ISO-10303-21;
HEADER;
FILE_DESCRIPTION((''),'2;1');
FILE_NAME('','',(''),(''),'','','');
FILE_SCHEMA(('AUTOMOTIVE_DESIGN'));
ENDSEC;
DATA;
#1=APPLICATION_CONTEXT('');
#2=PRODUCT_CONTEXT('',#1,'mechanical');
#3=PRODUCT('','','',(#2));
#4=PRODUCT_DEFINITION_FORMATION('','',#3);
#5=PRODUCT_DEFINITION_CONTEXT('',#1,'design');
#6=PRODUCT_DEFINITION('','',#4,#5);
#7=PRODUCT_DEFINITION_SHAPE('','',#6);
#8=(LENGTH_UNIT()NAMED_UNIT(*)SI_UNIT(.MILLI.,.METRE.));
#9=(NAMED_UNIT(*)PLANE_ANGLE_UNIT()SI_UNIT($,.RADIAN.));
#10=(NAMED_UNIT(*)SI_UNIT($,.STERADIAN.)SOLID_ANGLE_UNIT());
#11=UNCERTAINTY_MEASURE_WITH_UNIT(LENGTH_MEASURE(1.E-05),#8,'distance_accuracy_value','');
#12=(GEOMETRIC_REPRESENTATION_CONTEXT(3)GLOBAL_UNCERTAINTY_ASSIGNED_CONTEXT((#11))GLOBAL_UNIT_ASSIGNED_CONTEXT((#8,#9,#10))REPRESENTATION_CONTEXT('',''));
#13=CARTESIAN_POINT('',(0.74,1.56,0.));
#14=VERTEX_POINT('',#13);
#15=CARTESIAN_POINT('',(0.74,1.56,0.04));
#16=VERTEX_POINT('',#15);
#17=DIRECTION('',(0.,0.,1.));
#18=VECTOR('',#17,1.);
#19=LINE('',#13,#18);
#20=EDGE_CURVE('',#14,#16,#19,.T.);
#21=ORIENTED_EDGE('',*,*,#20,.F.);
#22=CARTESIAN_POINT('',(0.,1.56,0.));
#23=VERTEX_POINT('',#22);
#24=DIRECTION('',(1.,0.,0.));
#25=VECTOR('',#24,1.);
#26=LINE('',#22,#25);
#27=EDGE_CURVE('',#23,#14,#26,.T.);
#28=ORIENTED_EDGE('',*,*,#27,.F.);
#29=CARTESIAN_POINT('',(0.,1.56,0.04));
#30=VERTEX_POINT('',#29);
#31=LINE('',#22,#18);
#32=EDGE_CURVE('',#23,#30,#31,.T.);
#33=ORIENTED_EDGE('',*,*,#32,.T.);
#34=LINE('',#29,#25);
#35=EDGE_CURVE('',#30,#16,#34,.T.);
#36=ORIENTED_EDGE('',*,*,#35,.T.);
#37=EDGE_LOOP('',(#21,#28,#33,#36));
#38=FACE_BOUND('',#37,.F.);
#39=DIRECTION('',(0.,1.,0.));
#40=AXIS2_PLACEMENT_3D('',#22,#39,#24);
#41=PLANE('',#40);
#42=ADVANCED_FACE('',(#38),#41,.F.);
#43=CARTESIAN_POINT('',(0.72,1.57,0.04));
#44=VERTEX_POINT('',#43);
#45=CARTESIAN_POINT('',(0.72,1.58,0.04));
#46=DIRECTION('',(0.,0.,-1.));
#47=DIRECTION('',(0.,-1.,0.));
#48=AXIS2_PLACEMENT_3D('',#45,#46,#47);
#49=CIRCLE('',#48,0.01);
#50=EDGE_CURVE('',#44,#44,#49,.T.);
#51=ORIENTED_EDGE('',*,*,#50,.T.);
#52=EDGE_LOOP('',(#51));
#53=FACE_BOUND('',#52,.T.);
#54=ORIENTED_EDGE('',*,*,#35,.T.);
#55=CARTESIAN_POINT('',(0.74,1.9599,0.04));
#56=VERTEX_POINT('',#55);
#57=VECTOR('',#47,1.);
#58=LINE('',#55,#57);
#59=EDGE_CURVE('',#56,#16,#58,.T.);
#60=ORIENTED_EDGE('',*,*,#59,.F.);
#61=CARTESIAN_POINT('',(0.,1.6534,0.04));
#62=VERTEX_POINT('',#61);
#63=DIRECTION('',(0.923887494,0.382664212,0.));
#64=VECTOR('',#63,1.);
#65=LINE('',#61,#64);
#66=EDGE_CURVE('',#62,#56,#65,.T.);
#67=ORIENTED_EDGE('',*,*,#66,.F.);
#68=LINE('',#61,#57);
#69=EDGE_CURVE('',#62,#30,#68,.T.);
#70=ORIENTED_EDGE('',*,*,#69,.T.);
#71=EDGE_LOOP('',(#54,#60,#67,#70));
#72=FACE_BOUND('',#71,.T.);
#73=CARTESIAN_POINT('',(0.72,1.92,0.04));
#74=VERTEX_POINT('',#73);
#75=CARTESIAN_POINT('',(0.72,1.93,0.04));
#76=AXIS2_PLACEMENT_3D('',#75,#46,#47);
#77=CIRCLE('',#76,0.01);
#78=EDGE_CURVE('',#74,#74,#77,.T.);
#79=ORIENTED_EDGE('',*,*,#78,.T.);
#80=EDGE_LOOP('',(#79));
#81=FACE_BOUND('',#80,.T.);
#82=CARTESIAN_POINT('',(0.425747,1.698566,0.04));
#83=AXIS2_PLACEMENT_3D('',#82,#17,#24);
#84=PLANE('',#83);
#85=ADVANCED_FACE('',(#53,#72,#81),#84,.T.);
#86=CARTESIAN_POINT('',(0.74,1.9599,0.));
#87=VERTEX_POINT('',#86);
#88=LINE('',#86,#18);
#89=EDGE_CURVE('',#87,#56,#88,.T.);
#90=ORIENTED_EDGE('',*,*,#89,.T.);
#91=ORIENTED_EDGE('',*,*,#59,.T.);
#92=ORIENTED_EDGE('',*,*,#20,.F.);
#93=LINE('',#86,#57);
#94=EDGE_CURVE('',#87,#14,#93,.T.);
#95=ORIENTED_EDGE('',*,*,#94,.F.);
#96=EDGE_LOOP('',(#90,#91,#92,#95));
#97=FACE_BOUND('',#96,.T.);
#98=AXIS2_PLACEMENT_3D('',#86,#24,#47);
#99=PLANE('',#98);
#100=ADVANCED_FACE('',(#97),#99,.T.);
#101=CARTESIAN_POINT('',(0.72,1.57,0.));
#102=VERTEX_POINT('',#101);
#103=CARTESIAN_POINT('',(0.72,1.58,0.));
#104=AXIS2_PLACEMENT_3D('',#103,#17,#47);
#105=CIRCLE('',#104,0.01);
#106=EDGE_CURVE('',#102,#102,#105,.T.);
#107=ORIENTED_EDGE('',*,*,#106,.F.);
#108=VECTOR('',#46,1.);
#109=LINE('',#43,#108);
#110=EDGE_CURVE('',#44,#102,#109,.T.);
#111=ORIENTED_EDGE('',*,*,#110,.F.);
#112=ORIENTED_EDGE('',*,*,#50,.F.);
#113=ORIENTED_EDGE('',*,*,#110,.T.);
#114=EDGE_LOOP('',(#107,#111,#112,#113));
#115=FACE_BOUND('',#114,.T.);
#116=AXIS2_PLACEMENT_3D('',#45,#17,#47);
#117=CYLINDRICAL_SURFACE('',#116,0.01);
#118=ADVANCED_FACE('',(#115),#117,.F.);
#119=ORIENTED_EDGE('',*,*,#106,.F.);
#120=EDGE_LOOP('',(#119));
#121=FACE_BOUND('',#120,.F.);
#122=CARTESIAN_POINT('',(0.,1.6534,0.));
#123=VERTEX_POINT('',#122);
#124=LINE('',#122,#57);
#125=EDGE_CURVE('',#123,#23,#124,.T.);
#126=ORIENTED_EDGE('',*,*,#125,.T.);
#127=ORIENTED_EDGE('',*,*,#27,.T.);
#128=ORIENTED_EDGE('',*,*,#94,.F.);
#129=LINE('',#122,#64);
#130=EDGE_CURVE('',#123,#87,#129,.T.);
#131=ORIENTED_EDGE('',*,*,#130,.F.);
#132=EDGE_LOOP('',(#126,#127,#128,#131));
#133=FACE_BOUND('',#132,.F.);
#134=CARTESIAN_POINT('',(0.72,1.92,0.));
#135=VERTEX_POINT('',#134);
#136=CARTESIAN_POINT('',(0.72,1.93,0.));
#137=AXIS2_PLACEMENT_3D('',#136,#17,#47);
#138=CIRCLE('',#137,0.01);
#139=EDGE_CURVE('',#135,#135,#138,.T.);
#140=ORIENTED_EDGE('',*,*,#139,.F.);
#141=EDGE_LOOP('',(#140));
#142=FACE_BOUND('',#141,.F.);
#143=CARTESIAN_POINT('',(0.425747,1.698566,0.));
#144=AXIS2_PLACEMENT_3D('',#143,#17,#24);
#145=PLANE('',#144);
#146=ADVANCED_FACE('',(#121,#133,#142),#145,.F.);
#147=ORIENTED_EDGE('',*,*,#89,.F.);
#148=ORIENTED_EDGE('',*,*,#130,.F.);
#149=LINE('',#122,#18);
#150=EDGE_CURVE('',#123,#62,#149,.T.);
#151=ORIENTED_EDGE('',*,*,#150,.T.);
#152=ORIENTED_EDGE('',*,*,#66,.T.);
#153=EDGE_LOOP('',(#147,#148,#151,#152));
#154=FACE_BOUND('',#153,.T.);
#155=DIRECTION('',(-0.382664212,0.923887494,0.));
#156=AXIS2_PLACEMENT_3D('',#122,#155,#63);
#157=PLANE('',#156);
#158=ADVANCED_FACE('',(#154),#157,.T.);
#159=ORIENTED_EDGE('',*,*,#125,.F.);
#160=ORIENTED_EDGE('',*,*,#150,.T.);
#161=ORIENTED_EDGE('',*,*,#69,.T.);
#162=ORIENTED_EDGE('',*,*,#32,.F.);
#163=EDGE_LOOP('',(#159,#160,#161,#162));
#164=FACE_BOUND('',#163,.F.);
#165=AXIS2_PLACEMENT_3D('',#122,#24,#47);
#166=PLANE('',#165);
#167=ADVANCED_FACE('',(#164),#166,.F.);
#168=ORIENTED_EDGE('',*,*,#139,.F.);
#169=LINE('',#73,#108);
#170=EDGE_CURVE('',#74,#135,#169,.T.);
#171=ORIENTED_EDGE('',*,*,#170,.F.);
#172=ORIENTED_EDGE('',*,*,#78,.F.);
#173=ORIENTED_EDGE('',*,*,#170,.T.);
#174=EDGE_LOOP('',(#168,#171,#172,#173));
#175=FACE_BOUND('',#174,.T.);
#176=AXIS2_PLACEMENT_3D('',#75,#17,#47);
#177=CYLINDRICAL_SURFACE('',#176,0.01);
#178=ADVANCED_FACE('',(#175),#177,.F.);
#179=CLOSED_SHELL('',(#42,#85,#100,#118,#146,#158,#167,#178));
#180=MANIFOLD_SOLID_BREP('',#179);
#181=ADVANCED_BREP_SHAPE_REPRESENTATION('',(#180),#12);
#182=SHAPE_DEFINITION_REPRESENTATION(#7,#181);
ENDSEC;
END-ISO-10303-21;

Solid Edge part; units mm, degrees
sketch "Sketch1" plane through (0, 0, 0) normal (0, 0, 1) x (1, 0, 0)
  line L0 (0, 1.56) -> (0.74, 1.56)
  line L1 (0.74, 1.9599) -> (0.74, 1.56)
  line L2 (0, 1.6534) -> (0.74, 1.9599)
  line L3 (0, 1.6534) -> (0, 1.56)
extrude "Protrusion1" add sketch "Sketch1" along normal blind 0.04
hole "Bohrung_1" at (0.72, 1.58, 0.04) direction (0, 0, -1) diameter 0.02 end through all
hole "Hole1" at (0.72, 1.93, 0.04) direction (0, 0, -1) diameter 0.02 end through all
